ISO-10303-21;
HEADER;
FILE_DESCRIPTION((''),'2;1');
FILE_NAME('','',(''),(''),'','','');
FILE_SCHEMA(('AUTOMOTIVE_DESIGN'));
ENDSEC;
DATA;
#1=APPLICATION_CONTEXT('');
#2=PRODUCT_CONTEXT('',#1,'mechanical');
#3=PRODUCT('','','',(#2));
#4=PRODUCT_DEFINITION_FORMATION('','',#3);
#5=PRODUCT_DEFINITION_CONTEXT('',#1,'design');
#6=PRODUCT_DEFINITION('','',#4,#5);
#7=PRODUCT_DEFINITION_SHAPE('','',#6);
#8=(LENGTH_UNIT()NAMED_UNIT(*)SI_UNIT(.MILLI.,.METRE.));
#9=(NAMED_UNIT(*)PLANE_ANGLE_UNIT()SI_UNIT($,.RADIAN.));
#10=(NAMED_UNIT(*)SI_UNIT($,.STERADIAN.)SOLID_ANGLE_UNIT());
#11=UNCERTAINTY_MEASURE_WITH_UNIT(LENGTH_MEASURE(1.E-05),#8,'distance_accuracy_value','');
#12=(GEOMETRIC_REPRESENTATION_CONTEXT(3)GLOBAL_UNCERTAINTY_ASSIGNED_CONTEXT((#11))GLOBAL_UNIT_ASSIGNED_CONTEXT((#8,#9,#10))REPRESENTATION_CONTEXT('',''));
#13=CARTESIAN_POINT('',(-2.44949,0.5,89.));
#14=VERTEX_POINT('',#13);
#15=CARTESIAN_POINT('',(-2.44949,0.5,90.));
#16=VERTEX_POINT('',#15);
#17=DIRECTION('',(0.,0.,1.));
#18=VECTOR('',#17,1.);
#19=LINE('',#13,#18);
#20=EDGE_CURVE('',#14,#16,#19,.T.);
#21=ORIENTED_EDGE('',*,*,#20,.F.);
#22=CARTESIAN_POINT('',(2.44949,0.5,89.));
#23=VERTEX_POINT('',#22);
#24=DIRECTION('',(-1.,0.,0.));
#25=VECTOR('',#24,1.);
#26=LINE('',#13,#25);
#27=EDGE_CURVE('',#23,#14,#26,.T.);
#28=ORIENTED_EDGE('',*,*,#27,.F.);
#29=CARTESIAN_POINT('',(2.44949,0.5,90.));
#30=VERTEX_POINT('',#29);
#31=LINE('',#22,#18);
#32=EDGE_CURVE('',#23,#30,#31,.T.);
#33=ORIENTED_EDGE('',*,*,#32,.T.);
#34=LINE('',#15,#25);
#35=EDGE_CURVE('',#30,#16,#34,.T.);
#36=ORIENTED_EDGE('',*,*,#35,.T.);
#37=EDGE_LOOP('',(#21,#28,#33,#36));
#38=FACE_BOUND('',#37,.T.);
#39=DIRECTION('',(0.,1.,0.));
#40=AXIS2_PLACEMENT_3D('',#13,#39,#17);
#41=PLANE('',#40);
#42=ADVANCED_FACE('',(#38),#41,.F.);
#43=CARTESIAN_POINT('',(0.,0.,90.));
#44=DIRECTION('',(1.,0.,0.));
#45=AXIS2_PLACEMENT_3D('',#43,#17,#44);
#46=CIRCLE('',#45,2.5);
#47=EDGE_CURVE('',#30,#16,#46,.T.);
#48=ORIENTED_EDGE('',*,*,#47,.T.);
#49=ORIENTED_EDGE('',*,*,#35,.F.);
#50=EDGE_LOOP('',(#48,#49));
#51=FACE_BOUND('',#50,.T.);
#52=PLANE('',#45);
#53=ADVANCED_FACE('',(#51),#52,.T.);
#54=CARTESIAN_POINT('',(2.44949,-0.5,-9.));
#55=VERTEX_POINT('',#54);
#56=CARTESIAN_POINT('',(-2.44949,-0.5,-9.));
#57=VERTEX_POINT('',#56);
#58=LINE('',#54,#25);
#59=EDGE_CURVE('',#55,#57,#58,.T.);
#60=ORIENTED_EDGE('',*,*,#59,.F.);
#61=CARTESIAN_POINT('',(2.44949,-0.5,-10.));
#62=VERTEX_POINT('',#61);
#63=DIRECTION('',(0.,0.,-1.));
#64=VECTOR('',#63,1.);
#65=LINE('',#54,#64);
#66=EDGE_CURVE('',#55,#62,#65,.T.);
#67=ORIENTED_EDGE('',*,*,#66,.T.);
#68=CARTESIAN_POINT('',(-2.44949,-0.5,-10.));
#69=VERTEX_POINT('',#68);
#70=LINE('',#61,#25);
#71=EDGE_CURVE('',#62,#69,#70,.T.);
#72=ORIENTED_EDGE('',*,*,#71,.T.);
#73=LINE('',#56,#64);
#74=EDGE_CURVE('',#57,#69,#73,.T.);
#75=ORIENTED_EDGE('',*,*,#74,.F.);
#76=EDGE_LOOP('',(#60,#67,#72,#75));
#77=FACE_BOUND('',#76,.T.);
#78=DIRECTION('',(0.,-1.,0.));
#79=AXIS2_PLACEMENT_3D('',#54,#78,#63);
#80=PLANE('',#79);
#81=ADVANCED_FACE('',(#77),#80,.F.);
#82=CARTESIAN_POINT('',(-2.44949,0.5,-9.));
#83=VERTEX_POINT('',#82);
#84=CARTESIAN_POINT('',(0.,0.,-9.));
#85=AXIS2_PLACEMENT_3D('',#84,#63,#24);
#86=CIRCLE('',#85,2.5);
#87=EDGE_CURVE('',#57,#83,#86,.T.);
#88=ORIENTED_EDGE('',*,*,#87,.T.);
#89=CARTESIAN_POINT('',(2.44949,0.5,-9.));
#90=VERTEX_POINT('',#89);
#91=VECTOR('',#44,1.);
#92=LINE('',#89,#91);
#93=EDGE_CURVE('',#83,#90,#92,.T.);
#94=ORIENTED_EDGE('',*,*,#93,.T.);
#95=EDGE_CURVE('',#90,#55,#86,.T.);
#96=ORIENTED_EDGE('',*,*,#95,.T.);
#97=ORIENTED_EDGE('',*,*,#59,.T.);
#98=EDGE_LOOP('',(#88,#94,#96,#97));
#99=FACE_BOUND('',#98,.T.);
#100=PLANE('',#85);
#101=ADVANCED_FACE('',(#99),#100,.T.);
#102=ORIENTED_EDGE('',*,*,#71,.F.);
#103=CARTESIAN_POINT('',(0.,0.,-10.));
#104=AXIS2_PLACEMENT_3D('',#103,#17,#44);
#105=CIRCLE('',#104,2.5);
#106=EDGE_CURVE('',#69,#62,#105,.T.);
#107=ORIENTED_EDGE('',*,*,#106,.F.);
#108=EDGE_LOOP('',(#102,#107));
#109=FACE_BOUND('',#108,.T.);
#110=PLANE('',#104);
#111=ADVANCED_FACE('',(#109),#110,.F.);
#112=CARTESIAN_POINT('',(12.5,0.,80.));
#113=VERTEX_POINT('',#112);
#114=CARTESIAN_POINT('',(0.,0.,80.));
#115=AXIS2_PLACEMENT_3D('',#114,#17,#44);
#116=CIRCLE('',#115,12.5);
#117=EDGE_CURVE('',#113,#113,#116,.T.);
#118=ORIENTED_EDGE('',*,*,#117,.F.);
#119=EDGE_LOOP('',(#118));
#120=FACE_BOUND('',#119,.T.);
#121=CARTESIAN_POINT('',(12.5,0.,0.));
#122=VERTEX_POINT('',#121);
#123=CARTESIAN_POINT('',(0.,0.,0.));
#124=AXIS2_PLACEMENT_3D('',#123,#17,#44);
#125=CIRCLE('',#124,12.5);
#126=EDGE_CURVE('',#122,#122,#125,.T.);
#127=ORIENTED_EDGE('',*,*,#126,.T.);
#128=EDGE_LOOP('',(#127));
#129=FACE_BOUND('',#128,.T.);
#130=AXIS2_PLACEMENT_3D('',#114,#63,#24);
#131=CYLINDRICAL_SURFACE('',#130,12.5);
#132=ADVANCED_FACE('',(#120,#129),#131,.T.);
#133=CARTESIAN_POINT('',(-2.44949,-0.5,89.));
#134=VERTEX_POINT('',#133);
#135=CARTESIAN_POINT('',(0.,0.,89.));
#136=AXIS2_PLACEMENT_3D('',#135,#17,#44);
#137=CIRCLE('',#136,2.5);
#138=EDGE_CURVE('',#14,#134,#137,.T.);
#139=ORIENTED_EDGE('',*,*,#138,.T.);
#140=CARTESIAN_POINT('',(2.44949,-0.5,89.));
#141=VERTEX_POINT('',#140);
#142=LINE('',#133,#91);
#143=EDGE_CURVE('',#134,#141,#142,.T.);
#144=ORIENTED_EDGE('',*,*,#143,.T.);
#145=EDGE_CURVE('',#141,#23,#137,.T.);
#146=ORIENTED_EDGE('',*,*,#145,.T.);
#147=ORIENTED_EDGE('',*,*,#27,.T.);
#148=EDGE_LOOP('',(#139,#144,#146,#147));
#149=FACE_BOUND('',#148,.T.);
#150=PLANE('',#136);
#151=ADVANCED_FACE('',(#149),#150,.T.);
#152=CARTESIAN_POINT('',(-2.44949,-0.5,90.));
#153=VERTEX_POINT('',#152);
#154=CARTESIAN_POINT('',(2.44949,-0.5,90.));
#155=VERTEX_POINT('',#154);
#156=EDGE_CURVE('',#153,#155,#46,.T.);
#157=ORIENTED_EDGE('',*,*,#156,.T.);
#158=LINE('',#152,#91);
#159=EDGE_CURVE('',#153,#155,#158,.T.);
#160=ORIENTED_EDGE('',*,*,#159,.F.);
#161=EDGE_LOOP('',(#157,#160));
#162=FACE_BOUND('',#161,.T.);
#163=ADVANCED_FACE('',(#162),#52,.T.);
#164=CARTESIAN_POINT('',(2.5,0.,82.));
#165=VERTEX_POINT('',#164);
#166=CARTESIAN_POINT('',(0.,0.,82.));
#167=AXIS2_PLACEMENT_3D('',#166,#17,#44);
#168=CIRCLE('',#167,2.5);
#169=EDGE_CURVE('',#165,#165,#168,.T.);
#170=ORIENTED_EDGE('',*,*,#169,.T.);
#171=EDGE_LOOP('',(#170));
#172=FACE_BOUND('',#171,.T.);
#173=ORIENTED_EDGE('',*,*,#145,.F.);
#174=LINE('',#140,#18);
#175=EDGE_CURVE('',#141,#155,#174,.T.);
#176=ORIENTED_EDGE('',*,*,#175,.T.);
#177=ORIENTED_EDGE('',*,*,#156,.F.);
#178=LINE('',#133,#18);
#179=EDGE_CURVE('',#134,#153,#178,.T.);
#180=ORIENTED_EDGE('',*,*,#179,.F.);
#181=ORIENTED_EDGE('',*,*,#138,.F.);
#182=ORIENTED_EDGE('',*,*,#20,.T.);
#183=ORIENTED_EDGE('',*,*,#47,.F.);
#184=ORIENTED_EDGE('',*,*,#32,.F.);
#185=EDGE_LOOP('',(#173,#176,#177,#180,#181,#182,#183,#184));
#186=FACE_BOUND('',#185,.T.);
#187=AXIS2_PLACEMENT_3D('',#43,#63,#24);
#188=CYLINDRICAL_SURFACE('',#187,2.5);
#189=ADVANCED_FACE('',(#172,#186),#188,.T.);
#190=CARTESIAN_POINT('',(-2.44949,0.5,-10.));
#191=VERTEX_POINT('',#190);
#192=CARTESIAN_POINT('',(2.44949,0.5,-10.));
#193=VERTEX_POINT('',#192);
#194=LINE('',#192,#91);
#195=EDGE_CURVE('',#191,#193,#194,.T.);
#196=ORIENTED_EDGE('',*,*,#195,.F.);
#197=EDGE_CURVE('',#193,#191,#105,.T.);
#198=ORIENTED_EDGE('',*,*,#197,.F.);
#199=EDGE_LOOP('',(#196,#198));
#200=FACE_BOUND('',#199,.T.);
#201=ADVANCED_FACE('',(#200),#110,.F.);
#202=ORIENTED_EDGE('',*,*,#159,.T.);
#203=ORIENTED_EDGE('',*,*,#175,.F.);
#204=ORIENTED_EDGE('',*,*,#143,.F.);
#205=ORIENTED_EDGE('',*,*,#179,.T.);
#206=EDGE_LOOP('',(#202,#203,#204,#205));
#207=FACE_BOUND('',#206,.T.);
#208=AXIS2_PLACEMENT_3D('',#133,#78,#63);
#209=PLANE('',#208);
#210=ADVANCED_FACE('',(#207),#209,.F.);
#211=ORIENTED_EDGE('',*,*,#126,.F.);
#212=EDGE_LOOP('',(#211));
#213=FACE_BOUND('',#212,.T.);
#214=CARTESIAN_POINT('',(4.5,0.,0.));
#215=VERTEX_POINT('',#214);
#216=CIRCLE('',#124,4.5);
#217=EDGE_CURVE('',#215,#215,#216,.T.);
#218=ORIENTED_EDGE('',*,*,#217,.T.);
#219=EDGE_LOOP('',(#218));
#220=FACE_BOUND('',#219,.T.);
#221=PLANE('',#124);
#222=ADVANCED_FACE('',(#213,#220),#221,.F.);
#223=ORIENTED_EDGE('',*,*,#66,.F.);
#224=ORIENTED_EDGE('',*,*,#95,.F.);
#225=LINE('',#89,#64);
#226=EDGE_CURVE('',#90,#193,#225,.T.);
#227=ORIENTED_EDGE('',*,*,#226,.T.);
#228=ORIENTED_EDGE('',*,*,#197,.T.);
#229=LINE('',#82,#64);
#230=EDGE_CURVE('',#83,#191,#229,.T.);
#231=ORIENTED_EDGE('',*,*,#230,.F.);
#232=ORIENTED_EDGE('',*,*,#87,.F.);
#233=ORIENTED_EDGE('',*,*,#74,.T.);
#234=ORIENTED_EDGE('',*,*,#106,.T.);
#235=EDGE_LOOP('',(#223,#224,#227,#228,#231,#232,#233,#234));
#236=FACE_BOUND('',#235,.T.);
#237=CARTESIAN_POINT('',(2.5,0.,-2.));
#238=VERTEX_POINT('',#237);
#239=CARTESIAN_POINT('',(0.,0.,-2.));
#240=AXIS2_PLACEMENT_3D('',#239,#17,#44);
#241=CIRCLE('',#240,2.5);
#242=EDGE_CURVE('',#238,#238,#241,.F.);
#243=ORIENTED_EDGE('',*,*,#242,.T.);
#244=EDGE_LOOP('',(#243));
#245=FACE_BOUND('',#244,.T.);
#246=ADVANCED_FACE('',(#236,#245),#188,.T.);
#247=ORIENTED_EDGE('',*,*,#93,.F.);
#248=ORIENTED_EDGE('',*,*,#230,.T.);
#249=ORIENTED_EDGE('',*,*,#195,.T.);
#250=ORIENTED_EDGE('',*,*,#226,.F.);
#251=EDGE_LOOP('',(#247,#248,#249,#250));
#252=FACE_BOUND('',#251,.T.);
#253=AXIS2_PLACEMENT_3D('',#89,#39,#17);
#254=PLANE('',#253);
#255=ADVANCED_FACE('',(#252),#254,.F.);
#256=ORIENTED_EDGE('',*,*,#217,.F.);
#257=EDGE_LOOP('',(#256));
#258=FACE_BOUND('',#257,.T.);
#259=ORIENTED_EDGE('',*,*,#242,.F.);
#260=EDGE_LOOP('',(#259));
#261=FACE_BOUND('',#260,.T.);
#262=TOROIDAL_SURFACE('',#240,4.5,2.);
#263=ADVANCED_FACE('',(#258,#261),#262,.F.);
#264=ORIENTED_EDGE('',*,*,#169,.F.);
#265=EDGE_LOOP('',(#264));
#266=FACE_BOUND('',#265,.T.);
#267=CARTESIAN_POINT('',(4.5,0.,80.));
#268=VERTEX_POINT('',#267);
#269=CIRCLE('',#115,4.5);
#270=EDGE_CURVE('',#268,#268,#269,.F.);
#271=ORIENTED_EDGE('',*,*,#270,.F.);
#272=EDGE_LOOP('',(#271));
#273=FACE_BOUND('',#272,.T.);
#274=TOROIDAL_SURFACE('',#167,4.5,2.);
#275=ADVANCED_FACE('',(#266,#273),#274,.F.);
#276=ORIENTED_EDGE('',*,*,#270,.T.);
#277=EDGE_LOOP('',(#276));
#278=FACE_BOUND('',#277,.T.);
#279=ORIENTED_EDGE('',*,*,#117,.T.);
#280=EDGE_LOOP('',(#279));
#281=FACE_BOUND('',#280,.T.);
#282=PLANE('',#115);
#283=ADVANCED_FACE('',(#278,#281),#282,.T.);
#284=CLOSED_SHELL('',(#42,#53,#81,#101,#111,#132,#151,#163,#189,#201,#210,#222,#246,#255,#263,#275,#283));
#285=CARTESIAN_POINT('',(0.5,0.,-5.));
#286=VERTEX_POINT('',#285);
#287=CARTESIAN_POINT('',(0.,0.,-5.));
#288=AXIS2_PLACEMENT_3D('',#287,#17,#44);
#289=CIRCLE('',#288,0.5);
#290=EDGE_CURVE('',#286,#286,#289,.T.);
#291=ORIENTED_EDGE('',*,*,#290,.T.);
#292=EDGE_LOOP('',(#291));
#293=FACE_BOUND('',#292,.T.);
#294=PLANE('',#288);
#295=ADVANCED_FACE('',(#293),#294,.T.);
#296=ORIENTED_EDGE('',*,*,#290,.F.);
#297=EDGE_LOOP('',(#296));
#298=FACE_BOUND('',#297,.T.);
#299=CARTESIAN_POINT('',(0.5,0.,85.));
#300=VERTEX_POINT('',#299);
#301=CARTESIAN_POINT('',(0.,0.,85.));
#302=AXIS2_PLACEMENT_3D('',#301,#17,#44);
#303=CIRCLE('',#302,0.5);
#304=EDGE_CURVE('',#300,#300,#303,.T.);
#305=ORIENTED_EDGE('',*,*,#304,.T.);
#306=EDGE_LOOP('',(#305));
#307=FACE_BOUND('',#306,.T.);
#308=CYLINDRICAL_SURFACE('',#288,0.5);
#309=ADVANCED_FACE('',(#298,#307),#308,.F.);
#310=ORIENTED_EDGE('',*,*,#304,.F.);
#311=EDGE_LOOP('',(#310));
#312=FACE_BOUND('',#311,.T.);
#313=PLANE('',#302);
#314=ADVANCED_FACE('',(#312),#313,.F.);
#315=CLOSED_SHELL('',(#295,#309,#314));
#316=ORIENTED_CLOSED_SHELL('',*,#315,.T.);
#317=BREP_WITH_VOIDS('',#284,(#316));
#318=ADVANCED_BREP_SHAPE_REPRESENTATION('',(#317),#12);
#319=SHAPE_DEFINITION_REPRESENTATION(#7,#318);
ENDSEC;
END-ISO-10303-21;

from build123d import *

# Parameters (mm, degrees)
ESQUISSE1_R             = 12.5
BOSS_EXTRU_1_DEPTH      = 80
BOSS_EXTRU_2_DEPTH      = 90
BOSS_EXTRU_2_DEPTH_BACK = 10
ESQUISSE2_R             = 2.5
CONG_1_R                = 2
CONG_2_R                = 2
ENL_V_START             = -5
ESQUISSE3_R             = 0.5
ENL_V_MAT_EXTRU_1_DEPTH = 90
ENL_V_MAT_EXTRU_2_DEPTH = 1
ENL_V_MAT_EXTRU_3_DEPTH = 1


with BuildPart() as part:
    # Esquisse1 → Boss.-Extru.1 (new body)
    with BuildSketch(Plane.XY):
        Circle(ESQUISSE1_R)
    extrude(amount=BOSS_EXTRU_1_DEPTH)

    # Esquisse2 → Boss.-Extru.2 (add, two sides: drawn at the far end of the back side and taken through both)
    with BuildSketch(Plane.XY.offset(-BOSS_EXTRU_2_DEPTH_BACK)):
        with Locations(Location((0, 0, 0), (0, 0, 180))):
            Circle(ESQUISSE2_R)
    extrude(amount=BOSS_EXTRU_2_DEPTH + BOSS_EXTRU_2_DEPTH_BACK)

    # Congé1
    cong_1_edges = [part.edges().sort_by_distance(p)[0] for p in [
        (2.5, 0, 80),
    ]]
    fillet(cong_1_edges, radius=CONG_1_R)

    # Congé2
    cong_2_edges = [part.edges().sort_by_distance(p)[0] for p in [
        (2.5, 0, 0),
    ]]
    fillet(cong_2_edges, radius=CONG_2_R)

    # Esquisse3 → Enlèv. mat.-Extru.1 (cut)
    with BuildSketch(Plane.XY.offset(90).offset(ENL_V_START)):
        Circle(ESQUISSE3_R)
    extrude(amount=-ENL_V_MAT_EXTRU_1_DEPTH, mode=Mode.SUBTRACT)

    # Esquisse4 → Enlèv. mat.-Extru.2 (cut)
    with BuildSketch(Plane(origin=(0, 0, -10), x_dir=(-1, 0, 0), z_dir=(0, 0, -1))):
        with BuildLine():
            Line((-2.449489743, -0.5), (2.449489743, -0.5))
            ThreePointArc((2.449489743, -0.5), (2.5, 0), (2.449489743, 0.5))
            Line((2.449489743, 0.5), (-2.449489743, 0.5))
            ThreePointArc((-2.449489743, 0.5), (-2.5, 0), (-2.449489743, -0.5))
        make_face()
    extrude(amount=-ENL_V_MAT_EXTRU_2_DEPTH, mode=Mode.SUBTRACT)

    # Esquisse5 → Enlèv. mat.-Extru.3 (cut)
    with BuildSketch(Plane.XY.offset(90)):
        with BuildLine():
            Line((-2.449489743, -0.5), (2.449489743, -0.5))
            ThreePointArc((2.449489743, -0.5), (2.5, 0), (2.449489743, 0.5))
            Line((2.449489743, 0.5), (-2.449489743, 0.5))
            ThreePointArc((-2.449489743, 0.5), (-2.5, 0), (-2.449489743, -0.5))
        make_face()
    extrude(amount=-ENL_V_MAT_EXTRU_3_DEPTH, mode=Mode.SUBTRACT)


solid = part.part
